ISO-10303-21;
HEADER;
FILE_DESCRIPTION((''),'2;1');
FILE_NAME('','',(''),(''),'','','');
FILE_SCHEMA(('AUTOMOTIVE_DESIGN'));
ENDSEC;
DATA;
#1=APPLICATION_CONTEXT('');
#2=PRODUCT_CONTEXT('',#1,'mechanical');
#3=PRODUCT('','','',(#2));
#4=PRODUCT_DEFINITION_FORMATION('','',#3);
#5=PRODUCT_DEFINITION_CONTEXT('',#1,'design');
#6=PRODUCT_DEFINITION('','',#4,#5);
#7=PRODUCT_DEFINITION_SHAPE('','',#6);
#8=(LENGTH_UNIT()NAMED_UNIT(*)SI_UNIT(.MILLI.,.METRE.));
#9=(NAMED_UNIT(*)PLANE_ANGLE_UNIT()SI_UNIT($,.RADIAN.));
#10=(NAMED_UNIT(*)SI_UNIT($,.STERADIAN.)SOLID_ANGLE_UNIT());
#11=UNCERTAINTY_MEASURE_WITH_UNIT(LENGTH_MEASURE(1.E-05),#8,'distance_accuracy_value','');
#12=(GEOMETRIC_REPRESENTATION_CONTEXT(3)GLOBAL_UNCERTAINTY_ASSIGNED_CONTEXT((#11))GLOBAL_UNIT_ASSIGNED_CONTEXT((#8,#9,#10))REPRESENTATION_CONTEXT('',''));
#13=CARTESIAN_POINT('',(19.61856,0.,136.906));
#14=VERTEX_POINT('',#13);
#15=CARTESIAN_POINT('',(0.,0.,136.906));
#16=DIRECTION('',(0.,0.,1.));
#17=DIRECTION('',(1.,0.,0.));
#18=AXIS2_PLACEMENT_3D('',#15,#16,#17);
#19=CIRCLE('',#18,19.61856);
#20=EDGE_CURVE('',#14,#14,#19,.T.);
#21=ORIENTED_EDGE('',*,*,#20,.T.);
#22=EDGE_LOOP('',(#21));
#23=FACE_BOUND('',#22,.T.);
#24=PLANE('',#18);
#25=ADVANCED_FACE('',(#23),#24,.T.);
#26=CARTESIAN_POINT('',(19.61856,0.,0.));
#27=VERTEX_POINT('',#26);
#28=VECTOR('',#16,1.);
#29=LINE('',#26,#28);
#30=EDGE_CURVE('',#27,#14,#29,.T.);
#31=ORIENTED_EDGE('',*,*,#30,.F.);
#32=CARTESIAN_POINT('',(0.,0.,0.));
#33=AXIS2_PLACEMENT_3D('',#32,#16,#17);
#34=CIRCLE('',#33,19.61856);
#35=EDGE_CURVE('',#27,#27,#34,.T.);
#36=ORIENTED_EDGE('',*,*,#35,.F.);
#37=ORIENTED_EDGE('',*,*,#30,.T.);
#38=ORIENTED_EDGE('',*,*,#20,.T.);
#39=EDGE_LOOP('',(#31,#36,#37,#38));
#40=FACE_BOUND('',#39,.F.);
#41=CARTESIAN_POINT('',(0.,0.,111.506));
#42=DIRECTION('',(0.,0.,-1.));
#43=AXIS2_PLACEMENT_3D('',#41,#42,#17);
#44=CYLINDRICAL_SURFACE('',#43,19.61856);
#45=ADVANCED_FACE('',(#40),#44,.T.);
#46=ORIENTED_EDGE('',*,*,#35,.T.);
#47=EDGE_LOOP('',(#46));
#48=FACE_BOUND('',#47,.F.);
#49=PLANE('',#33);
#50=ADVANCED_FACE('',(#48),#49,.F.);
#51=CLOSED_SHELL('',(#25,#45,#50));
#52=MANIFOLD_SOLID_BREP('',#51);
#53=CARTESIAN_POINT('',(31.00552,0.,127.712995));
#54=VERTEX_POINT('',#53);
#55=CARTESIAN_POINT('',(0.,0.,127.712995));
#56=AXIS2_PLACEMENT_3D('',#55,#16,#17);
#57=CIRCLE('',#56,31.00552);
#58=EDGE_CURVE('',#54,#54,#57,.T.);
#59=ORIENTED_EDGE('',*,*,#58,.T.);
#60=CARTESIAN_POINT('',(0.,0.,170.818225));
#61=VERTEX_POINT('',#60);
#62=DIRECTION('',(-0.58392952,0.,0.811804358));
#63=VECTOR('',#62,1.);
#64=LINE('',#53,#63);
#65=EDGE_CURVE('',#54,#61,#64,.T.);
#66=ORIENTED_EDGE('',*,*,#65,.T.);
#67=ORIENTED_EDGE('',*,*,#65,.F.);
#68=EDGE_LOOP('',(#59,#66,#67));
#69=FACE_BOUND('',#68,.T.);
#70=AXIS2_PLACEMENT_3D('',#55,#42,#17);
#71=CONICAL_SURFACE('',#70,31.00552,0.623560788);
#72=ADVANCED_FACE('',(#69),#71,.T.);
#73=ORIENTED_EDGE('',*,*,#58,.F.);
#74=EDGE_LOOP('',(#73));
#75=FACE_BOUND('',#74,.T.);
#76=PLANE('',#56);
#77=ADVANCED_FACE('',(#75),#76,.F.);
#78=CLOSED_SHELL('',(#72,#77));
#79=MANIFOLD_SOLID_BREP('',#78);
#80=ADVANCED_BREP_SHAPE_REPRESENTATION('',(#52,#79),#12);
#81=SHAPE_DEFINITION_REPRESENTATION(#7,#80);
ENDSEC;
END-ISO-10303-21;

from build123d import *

# Parameters (mm, degrees)
F0_R      = 19.61856
F1_DEPTH  = 111.506
F1_FACE_R = 19.61856
F2_DEPTH  = 25.4


with BuildPart() as f1:
    # F0 (on Top) → F1 (new body)
    with BuildSketch(Plane.XY):
        Circle(F0_R)
    extrude(amount=F1_DEPTH)

    # F1_face (on face) → F2 (join)
    with BuildSketch(Plane.XY.offset(111.506)):
        Circle(F1_FACE_R)
    extrude(amount=F2_DEPTH)


with BuildPart() as f4:
    # F3 (on Front) → F4 (revolve)
    with BuildSketch(Plane.XZ):
        Polygon((0, 170.818225), (0, 127.712995), (19.444138, 127.712995), (31.00552, 127.712995), align=None)
    revolve(axis=Axis((0, 0, 149.26561), (0, 0, 1)))


solid = Compound([f1.part, f4.part])
